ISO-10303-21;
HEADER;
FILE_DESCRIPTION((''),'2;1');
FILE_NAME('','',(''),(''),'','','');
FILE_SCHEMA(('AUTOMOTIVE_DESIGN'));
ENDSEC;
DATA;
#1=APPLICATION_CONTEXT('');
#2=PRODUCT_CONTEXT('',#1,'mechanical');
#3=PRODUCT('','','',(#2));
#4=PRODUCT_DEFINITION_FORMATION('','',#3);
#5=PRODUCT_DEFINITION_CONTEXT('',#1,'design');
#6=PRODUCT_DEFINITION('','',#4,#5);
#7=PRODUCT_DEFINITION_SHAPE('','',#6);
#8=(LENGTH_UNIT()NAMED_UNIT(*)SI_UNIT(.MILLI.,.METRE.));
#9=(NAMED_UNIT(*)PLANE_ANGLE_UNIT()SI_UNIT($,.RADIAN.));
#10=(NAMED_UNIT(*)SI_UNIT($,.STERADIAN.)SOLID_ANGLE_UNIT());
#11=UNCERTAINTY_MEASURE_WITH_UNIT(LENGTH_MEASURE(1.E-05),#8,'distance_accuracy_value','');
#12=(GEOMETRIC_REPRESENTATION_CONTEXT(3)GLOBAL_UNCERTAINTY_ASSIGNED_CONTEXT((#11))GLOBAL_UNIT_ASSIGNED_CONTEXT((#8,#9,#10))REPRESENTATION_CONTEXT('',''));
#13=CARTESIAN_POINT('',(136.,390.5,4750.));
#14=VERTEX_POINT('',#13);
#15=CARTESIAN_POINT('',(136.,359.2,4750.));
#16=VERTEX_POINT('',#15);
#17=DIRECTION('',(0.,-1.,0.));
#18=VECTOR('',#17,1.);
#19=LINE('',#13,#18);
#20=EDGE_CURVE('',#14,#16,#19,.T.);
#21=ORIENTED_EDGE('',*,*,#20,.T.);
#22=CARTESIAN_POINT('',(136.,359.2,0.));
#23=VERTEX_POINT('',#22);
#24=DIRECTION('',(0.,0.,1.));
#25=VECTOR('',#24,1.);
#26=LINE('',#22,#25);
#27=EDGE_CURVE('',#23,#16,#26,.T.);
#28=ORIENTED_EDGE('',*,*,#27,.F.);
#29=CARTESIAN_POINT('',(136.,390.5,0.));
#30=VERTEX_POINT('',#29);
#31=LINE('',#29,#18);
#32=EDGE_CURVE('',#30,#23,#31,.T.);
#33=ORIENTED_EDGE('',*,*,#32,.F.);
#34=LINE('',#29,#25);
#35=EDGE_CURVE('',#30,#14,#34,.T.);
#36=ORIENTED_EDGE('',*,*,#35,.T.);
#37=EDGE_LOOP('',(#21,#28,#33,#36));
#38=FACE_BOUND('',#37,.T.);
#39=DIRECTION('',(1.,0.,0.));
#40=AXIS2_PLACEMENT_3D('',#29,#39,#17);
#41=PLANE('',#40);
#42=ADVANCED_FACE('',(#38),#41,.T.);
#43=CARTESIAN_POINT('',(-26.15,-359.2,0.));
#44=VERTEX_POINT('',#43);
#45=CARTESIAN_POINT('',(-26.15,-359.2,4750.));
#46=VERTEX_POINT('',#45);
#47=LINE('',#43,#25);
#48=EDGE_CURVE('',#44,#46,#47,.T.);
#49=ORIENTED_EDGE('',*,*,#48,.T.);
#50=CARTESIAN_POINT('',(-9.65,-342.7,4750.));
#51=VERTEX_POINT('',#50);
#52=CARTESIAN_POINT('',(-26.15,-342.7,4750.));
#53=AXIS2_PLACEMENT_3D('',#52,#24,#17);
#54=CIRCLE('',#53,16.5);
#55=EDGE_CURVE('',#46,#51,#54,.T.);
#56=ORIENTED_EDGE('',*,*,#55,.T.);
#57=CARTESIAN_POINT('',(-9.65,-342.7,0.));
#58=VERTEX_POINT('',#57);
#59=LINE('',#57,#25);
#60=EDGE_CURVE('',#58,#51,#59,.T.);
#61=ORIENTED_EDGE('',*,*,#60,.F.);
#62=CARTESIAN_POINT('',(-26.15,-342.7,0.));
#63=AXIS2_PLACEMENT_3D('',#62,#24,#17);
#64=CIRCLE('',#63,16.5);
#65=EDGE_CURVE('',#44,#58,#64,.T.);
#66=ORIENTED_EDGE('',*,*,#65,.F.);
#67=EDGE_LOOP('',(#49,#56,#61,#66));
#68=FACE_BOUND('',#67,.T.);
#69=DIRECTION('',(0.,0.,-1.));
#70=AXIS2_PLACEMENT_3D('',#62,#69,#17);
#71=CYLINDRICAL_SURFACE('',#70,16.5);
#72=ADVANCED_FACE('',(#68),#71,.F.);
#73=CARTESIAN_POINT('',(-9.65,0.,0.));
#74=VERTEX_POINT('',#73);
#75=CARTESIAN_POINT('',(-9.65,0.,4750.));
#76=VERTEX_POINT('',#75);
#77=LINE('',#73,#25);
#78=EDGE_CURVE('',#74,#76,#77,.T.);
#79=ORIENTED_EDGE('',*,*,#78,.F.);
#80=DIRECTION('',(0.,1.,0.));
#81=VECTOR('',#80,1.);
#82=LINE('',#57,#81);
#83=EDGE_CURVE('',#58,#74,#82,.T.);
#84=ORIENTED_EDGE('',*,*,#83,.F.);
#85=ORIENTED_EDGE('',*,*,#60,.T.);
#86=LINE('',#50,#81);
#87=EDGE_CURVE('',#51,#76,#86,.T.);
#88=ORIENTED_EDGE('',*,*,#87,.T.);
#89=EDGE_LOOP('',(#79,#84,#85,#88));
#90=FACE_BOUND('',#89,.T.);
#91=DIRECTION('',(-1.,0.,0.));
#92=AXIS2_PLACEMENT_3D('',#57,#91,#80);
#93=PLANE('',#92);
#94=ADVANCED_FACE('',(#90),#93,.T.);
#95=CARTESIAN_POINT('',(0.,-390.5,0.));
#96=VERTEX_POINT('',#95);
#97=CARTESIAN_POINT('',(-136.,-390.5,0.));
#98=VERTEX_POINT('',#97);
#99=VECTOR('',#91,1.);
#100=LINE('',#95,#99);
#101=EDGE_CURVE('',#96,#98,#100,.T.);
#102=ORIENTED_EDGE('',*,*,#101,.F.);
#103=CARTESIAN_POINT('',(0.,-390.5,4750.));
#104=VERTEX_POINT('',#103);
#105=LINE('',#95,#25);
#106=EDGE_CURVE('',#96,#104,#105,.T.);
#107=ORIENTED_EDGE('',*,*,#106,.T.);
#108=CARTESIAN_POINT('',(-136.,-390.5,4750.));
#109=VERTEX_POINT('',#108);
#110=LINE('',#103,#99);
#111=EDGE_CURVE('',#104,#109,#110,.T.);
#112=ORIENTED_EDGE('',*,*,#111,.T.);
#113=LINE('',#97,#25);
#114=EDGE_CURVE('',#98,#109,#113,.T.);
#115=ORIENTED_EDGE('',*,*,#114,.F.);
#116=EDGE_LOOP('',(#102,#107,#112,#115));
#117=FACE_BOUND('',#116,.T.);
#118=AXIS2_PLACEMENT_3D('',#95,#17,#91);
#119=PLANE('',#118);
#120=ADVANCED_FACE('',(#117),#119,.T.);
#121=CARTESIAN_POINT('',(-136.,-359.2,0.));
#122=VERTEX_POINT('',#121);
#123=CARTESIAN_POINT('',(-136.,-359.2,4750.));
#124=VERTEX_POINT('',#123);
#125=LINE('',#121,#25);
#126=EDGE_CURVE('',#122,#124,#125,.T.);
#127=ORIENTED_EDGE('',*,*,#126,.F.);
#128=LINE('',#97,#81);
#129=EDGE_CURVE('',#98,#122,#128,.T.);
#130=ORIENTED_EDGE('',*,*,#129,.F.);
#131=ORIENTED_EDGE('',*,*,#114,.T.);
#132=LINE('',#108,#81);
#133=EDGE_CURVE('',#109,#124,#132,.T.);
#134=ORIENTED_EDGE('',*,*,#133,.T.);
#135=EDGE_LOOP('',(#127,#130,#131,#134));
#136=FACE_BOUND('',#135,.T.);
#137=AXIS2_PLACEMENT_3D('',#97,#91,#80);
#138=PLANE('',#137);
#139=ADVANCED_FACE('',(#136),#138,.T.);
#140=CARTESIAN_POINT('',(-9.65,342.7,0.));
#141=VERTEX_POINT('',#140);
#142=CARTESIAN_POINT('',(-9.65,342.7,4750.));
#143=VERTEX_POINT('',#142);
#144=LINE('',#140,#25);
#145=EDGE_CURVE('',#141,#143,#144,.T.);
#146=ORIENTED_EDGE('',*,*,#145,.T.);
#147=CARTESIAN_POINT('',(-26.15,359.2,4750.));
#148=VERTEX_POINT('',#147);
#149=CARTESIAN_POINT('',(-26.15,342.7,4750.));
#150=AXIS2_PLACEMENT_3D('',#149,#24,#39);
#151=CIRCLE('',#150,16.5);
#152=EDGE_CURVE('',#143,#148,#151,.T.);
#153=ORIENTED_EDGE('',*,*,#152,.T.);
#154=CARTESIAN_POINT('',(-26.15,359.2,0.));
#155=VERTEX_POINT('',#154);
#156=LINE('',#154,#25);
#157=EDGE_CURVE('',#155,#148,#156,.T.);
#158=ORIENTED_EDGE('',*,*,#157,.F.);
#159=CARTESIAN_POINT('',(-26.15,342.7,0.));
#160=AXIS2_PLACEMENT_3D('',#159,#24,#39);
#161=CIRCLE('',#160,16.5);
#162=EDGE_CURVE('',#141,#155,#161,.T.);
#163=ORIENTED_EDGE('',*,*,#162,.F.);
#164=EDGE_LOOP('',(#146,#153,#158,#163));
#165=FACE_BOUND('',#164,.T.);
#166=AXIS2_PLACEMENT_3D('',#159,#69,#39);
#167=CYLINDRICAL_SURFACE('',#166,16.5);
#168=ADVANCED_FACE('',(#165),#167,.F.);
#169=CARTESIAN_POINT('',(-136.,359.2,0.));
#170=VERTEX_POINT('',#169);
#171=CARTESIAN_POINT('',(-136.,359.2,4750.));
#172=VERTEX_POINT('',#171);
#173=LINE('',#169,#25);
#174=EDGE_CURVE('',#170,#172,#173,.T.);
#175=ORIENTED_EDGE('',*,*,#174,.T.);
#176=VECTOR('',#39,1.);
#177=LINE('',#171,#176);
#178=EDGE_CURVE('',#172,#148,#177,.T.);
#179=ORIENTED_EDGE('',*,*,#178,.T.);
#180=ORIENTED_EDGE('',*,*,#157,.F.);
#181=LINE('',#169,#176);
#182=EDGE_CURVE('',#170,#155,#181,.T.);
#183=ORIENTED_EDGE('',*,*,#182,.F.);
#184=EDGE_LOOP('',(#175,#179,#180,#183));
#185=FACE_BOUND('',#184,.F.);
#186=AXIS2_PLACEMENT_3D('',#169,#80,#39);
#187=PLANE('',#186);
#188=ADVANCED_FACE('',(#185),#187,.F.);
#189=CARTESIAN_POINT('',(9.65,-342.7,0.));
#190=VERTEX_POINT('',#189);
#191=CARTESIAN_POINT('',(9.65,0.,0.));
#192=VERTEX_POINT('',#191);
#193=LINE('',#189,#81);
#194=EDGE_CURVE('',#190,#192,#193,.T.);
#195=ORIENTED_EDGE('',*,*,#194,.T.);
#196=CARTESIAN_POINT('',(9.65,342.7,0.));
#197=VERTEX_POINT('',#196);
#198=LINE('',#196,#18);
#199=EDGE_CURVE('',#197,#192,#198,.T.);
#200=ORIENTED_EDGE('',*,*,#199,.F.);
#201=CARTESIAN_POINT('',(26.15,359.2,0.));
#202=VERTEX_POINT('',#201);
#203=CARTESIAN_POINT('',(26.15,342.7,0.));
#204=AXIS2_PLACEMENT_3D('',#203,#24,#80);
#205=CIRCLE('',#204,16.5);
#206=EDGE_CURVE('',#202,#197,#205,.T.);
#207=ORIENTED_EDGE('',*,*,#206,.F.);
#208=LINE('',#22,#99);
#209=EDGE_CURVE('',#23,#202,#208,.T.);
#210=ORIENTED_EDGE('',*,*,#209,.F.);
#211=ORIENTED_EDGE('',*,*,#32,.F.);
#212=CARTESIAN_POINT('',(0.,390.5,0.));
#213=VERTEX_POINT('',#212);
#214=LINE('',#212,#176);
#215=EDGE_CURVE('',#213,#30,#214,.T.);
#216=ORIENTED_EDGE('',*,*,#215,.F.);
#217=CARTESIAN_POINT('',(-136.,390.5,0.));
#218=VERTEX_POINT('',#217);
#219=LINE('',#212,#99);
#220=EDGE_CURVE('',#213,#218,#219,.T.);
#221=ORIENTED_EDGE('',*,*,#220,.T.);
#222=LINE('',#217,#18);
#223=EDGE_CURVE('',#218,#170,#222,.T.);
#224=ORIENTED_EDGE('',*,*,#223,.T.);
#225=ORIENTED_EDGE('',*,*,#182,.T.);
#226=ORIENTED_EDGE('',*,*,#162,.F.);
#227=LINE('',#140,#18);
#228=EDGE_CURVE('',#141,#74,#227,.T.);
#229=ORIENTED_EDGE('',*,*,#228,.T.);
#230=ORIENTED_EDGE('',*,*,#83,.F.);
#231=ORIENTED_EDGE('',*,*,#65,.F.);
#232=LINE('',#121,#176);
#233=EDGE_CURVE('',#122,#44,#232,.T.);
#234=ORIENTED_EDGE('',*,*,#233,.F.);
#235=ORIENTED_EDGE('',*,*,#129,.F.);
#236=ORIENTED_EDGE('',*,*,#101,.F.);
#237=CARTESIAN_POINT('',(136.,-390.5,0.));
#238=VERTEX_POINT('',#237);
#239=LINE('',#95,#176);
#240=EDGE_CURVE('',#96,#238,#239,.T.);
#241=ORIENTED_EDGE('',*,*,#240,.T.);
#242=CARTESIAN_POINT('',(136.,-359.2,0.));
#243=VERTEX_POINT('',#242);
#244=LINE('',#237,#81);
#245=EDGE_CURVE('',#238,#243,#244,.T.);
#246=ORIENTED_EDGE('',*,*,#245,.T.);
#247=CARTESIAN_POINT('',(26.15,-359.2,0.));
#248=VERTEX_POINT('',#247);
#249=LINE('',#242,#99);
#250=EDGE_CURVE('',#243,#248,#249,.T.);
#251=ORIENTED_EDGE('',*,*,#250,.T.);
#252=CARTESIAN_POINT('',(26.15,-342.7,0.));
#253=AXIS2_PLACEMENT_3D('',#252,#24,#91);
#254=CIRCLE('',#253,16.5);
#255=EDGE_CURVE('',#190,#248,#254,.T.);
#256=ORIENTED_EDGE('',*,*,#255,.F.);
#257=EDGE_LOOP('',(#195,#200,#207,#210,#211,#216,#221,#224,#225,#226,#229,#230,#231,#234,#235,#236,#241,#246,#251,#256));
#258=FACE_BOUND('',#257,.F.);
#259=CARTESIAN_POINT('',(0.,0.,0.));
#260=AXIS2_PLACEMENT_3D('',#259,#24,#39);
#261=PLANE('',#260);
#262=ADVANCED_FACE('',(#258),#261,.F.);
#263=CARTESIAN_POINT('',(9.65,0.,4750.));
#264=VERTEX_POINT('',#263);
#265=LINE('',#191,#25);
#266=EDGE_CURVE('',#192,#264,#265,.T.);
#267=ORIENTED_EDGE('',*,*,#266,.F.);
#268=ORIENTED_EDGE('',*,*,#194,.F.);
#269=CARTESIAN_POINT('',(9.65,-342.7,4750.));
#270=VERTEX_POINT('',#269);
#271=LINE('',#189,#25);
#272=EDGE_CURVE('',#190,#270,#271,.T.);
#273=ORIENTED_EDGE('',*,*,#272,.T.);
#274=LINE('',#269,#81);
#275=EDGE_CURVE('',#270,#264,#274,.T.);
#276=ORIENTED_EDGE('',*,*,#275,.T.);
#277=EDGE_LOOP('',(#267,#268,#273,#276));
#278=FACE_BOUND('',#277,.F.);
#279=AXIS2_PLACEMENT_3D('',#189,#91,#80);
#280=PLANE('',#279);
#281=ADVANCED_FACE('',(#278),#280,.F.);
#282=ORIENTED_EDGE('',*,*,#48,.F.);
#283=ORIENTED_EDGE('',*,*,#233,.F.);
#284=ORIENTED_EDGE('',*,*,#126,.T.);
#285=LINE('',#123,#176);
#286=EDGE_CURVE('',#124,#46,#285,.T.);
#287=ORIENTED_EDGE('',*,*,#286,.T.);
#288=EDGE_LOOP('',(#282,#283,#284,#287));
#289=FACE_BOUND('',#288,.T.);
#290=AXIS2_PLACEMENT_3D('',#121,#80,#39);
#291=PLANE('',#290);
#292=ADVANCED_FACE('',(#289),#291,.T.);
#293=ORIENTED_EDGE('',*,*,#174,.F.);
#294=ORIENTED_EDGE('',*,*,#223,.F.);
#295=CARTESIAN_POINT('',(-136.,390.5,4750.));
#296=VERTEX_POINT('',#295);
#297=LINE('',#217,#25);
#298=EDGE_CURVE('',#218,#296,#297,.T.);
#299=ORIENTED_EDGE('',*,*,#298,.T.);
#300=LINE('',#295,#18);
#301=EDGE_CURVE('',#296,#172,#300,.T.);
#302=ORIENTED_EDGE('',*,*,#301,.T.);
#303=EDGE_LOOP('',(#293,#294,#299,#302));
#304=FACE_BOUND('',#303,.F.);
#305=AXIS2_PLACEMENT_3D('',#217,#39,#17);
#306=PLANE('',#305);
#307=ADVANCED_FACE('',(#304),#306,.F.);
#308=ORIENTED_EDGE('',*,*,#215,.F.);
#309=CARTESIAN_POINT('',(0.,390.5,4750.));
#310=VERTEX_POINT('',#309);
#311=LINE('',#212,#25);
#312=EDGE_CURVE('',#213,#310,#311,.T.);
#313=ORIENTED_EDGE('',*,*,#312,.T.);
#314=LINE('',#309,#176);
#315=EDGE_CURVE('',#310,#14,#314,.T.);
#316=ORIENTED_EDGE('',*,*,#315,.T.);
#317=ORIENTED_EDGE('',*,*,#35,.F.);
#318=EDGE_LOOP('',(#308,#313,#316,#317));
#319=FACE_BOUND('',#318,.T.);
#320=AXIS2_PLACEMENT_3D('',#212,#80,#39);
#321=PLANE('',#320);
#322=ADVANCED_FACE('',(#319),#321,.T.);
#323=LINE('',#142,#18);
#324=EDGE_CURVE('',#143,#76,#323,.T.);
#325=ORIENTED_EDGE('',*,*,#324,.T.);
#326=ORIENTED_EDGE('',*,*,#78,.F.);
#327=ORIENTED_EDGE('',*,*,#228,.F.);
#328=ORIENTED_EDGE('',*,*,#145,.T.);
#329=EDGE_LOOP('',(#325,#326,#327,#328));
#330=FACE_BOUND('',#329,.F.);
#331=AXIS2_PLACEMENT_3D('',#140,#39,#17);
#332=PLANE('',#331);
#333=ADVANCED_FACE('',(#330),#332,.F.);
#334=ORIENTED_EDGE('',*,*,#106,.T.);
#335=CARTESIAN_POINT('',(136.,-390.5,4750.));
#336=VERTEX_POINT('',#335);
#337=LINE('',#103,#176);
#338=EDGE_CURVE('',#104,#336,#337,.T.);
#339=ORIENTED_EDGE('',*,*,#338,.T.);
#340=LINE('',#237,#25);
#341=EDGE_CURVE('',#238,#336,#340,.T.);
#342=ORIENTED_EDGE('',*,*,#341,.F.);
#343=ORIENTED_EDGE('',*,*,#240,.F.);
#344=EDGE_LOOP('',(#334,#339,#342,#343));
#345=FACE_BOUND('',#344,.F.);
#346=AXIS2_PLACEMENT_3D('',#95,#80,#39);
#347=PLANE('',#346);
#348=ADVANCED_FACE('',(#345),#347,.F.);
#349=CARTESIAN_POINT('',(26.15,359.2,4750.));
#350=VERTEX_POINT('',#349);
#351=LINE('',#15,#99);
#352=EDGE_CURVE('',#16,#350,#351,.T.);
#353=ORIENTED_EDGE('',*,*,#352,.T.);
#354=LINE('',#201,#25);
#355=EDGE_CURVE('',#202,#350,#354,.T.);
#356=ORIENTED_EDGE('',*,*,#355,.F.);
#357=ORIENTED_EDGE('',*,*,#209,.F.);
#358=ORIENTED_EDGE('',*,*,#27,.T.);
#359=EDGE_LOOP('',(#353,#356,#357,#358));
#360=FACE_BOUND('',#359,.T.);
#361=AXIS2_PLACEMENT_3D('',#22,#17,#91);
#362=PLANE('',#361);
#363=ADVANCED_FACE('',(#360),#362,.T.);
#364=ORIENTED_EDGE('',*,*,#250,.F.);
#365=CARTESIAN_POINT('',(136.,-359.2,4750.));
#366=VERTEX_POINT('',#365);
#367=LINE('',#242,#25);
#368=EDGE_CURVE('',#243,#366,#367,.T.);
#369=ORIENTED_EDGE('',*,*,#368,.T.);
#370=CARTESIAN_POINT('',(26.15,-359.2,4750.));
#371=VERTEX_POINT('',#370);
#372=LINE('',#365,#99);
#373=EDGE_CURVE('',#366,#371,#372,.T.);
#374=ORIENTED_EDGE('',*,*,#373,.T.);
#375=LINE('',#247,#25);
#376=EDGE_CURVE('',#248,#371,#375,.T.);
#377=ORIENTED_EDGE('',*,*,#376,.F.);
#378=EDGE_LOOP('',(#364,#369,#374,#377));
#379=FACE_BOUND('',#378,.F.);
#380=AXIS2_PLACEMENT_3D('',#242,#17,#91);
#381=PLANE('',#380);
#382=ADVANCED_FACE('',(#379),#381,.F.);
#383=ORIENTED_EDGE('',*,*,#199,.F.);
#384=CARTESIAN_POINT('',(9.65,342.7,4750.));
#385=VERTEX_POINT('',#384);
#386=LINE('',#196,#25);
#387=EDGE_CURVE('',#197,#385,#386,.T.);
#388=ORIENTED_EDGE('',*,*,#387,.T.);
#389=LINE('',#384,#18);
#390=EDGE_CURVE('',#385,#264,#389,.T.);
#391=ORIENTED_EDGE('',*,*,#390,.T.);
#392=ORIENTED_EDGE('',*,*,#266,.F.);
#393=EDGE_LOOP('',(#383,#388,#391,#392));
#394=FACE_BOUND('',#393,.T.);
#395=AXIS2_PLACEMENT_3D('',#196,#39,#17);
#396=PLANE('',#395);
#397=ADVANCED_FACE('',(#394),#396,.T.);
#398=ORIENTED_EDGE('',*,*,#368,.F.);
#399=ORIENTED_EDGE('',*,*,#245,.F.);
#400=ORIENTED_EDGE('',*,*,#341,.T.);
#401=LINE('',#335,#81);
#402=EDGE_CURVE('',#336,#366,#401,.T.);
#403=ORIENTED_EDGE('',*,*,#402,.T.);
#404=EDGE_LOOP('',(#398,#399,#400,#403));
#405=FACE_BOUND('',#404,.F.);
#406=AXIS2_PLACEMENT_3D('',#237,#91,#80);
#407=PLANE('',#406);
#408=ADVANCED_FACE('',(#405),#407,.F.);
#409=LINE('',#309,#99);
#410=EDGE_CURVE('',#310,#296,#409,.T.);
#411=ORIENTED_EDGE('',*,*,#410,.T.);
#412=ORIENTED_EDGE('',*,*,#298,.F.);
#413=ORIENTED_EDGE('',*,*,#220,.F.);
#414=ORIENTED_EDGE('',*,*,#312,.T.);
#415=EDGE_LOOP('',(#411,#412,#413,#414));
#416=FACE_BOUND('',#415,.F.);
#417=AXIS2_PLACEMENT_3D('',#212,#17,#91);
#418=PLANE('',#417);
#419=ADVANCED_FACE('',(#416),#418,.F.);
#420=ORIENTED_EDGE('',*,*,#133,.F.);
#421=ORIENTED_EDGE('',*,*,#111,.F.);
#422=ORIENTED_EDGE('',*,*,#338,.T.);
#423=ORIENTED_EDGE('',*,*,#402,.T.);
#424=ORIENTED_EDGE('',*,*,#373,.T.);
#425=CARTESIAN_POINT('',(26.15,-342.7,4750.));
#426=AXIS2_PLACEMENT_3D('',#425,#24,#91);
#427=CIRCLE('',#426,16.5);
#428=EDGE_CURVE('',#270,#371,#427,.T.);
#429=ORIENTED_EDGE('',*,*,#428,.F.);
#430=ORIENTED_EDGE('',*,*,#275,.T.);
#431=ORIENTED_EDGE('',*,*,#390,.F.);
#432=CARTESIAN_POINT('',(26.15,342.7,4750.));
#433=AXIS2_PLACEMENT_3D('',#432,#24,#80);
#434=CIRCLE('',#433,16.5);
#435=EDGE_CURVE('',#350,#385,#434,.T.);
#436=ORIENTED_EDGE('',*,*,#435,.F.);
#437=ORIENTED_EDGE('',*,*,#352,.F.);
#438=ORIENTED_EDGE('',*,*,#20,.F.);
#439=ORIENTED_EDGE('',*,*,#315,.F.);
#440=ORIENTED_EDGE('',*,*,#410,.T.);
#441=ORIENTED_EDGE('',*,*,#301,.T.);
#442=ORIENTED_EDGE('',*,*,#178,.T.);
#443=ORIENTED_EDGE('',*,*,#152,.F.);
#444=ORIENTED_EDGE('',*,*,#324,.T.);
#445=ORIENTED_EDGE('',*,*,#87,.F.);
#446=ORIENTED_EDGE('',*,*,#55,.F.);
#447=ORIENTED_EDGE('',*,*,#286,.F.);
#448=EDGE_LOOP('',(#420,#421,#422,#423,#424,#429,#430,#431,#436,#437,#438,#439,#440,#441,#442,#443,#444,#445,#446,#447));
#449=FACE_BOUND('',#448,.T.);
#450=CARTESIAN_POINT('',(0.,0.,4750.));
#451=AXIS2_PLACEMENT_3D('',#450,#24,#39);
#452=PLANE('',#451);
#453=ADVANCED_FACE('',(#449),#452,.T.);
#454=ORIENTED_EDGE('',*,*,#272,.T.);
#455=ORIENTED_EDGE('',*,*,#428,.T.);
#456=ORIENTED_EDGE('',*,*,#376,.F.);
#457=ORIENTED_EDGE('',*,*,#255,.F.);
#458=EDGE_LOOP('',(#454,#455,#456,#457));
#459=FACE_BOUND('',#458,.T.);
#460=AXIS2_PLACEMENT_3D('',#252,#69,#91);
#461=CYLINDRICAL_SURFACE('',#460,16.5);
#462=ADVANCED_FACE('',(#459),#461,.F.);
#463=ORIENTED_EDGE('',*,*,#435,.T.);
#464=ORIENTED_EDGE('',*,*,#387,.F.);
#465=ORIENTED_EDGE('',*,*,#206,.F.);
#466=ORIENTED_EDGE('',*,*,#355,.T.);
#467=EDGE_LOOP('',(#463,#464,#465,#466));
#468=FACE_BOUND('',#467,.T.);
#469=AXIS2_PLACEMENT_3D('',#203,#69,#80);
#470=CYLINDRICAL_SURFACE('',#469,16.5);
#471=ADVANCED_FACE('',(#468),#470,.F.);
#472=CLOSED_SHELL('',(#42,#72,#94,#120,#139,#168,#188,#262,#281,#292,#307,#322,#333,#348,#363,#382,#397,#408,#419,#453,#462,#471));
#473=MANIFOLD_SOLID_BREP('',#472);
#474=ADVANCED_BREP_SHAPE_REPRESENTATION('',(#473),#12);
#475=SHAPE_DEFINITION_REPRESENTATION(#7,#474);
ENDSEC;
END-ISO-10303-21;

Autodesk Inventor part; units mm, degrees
ref_plane "YZ Plane" through (0, 0, 0) normal (1, 0, 0) x (0, 1, 0)
ref_plane "Start plane" through (0, 0, 0) normal (0, 0, 1) x (1, 0, 0)
ref_plane "End plane" through (0, 0, 4750) normal (0, 0, 1) x (1, 0, 0)
sketch "Sketch" plane through (0, 0, 0) normal (0, 0, 1) x (1, 0, 0)
  line L0 (-136, -390.5) -> (-136, -359.2)
  line L1 (-136, -359.2) -> (-26.15, -359.2)
  line L2 (-9.65, -342.7) -> (-9.65, 0)
  line L3 (-9.65, 0) -> (0, 0) construction
  line L4 (0, 0) -> (0, -390.5) construction
  line L5 (0, -390.5) -> (-136, -390.5)
  line L6 (-60, 0) -> (80, 0) construction
  line L7 (0, -60) -> (0, 80) construction
  line L8 (136, -390.5) -> (136, -359.2)
  line L9 (136, -359.2) -> (26.15, -359.2)
  line L10 (9.65, -342.7) -> (9.65, 0)
  line L11 (9.65, 0) -> (0, 0) construction
  line L12 (0, -390.5) -> (136, -390.5)
  line L13 (-136, 390.5) -> (-136, 359.2)
  line L14 (-136, 359.2) -> (-26.15, 359.2)
  line L15 (-9.65, 342.7) -> (-9.65, 0)
  line L16 (0, 390.5) -> (-136, 390.5)
  line L17 (136, 390.5) -> (136, 359.2)
  line L18 (136, 359.2) -> (26.15, 359.2)
  line L19 (0, 390.5) -> (136, 390.5)
  line L20 (9.65, 342.7) -> (9.65, 0)
  arc A0 (-9.65, 342.7) -> (-26.15, 359.2) centre (-26.15, 342.7) ccw
  arc A1 (26.15, 359.2) -> (9.65, 342.7) centre (26.15, 342.7) ccw
  arc A2 (9.65, -342.7) -> (26.15, -359.2) centre (26.15, -342.7) ccw
  arc A3 (-26.15, -359.2) -> (-9.65, -342.7) centre (-26.15, -342.7) ccw
  line L21 (0, 108) -> (0, -88) construction
  line L22 (-88, 0) -> (108, 0) construction
  point P0 (-9.65, -359.2)
  point P1 (9.65, -359.2)
  point P2 (-9.65, 359.2)
  point P3 (9.65, 359.2)
  dimension "d1" = 390.5
  dimension "d2" = 31.3
  dimension "d3" = 136
  dimension "d4" = 9.65
  dimension "d10" = 16.5
extrude "Body" add sketch "Sketch" along normal up to surface (4750 mm away) from surface at 0
sketch "Sketch4" plane through (0, 0, 0) normal (0, 0, 1) x (1, 0, 0)
  line L0 (0, 0) -> (10, 0)
ref_plane "Work Plane3" through (0, 0, 0) normal (0, -1, 0) x (1, 0, 0)
sketch "Sketch5" plane through (0, 0, 0) normal (0, -1, 0) x (1, 0, 0)
  line L0 (-2, 0) -> (12, 0) projected
  line L1 (-2, 4750) -> (12, 4750) projected
  dimension "d14" = 4750
equation "\"d1\" = 0.5 * G_H"
equation "\"d2\" = G_T1"
equation "\"d3\" = 0.5 * G_W"
equation "\"d4\" = 0.5 * G_T"
equation "\"d10\" = G_IR"
equation "\"d5\" = G_L"
equation "\"G_W\" = 272"
equation "\"G_H\" = 781"
equation "\"G_T\" = 19.3"
equation "\"G_T1\" = 31.3"
equation "\"G_IR\" = 16.5"
equation "\"G_L\" = d14"
equation "\"G_OFFSET_START\" = 0"
equation "\"G_OFFSET_END\" = 0"
properties part number "AS 3679-1990 - 760 UB - 244 - 4750" material "Steel, Mild"
